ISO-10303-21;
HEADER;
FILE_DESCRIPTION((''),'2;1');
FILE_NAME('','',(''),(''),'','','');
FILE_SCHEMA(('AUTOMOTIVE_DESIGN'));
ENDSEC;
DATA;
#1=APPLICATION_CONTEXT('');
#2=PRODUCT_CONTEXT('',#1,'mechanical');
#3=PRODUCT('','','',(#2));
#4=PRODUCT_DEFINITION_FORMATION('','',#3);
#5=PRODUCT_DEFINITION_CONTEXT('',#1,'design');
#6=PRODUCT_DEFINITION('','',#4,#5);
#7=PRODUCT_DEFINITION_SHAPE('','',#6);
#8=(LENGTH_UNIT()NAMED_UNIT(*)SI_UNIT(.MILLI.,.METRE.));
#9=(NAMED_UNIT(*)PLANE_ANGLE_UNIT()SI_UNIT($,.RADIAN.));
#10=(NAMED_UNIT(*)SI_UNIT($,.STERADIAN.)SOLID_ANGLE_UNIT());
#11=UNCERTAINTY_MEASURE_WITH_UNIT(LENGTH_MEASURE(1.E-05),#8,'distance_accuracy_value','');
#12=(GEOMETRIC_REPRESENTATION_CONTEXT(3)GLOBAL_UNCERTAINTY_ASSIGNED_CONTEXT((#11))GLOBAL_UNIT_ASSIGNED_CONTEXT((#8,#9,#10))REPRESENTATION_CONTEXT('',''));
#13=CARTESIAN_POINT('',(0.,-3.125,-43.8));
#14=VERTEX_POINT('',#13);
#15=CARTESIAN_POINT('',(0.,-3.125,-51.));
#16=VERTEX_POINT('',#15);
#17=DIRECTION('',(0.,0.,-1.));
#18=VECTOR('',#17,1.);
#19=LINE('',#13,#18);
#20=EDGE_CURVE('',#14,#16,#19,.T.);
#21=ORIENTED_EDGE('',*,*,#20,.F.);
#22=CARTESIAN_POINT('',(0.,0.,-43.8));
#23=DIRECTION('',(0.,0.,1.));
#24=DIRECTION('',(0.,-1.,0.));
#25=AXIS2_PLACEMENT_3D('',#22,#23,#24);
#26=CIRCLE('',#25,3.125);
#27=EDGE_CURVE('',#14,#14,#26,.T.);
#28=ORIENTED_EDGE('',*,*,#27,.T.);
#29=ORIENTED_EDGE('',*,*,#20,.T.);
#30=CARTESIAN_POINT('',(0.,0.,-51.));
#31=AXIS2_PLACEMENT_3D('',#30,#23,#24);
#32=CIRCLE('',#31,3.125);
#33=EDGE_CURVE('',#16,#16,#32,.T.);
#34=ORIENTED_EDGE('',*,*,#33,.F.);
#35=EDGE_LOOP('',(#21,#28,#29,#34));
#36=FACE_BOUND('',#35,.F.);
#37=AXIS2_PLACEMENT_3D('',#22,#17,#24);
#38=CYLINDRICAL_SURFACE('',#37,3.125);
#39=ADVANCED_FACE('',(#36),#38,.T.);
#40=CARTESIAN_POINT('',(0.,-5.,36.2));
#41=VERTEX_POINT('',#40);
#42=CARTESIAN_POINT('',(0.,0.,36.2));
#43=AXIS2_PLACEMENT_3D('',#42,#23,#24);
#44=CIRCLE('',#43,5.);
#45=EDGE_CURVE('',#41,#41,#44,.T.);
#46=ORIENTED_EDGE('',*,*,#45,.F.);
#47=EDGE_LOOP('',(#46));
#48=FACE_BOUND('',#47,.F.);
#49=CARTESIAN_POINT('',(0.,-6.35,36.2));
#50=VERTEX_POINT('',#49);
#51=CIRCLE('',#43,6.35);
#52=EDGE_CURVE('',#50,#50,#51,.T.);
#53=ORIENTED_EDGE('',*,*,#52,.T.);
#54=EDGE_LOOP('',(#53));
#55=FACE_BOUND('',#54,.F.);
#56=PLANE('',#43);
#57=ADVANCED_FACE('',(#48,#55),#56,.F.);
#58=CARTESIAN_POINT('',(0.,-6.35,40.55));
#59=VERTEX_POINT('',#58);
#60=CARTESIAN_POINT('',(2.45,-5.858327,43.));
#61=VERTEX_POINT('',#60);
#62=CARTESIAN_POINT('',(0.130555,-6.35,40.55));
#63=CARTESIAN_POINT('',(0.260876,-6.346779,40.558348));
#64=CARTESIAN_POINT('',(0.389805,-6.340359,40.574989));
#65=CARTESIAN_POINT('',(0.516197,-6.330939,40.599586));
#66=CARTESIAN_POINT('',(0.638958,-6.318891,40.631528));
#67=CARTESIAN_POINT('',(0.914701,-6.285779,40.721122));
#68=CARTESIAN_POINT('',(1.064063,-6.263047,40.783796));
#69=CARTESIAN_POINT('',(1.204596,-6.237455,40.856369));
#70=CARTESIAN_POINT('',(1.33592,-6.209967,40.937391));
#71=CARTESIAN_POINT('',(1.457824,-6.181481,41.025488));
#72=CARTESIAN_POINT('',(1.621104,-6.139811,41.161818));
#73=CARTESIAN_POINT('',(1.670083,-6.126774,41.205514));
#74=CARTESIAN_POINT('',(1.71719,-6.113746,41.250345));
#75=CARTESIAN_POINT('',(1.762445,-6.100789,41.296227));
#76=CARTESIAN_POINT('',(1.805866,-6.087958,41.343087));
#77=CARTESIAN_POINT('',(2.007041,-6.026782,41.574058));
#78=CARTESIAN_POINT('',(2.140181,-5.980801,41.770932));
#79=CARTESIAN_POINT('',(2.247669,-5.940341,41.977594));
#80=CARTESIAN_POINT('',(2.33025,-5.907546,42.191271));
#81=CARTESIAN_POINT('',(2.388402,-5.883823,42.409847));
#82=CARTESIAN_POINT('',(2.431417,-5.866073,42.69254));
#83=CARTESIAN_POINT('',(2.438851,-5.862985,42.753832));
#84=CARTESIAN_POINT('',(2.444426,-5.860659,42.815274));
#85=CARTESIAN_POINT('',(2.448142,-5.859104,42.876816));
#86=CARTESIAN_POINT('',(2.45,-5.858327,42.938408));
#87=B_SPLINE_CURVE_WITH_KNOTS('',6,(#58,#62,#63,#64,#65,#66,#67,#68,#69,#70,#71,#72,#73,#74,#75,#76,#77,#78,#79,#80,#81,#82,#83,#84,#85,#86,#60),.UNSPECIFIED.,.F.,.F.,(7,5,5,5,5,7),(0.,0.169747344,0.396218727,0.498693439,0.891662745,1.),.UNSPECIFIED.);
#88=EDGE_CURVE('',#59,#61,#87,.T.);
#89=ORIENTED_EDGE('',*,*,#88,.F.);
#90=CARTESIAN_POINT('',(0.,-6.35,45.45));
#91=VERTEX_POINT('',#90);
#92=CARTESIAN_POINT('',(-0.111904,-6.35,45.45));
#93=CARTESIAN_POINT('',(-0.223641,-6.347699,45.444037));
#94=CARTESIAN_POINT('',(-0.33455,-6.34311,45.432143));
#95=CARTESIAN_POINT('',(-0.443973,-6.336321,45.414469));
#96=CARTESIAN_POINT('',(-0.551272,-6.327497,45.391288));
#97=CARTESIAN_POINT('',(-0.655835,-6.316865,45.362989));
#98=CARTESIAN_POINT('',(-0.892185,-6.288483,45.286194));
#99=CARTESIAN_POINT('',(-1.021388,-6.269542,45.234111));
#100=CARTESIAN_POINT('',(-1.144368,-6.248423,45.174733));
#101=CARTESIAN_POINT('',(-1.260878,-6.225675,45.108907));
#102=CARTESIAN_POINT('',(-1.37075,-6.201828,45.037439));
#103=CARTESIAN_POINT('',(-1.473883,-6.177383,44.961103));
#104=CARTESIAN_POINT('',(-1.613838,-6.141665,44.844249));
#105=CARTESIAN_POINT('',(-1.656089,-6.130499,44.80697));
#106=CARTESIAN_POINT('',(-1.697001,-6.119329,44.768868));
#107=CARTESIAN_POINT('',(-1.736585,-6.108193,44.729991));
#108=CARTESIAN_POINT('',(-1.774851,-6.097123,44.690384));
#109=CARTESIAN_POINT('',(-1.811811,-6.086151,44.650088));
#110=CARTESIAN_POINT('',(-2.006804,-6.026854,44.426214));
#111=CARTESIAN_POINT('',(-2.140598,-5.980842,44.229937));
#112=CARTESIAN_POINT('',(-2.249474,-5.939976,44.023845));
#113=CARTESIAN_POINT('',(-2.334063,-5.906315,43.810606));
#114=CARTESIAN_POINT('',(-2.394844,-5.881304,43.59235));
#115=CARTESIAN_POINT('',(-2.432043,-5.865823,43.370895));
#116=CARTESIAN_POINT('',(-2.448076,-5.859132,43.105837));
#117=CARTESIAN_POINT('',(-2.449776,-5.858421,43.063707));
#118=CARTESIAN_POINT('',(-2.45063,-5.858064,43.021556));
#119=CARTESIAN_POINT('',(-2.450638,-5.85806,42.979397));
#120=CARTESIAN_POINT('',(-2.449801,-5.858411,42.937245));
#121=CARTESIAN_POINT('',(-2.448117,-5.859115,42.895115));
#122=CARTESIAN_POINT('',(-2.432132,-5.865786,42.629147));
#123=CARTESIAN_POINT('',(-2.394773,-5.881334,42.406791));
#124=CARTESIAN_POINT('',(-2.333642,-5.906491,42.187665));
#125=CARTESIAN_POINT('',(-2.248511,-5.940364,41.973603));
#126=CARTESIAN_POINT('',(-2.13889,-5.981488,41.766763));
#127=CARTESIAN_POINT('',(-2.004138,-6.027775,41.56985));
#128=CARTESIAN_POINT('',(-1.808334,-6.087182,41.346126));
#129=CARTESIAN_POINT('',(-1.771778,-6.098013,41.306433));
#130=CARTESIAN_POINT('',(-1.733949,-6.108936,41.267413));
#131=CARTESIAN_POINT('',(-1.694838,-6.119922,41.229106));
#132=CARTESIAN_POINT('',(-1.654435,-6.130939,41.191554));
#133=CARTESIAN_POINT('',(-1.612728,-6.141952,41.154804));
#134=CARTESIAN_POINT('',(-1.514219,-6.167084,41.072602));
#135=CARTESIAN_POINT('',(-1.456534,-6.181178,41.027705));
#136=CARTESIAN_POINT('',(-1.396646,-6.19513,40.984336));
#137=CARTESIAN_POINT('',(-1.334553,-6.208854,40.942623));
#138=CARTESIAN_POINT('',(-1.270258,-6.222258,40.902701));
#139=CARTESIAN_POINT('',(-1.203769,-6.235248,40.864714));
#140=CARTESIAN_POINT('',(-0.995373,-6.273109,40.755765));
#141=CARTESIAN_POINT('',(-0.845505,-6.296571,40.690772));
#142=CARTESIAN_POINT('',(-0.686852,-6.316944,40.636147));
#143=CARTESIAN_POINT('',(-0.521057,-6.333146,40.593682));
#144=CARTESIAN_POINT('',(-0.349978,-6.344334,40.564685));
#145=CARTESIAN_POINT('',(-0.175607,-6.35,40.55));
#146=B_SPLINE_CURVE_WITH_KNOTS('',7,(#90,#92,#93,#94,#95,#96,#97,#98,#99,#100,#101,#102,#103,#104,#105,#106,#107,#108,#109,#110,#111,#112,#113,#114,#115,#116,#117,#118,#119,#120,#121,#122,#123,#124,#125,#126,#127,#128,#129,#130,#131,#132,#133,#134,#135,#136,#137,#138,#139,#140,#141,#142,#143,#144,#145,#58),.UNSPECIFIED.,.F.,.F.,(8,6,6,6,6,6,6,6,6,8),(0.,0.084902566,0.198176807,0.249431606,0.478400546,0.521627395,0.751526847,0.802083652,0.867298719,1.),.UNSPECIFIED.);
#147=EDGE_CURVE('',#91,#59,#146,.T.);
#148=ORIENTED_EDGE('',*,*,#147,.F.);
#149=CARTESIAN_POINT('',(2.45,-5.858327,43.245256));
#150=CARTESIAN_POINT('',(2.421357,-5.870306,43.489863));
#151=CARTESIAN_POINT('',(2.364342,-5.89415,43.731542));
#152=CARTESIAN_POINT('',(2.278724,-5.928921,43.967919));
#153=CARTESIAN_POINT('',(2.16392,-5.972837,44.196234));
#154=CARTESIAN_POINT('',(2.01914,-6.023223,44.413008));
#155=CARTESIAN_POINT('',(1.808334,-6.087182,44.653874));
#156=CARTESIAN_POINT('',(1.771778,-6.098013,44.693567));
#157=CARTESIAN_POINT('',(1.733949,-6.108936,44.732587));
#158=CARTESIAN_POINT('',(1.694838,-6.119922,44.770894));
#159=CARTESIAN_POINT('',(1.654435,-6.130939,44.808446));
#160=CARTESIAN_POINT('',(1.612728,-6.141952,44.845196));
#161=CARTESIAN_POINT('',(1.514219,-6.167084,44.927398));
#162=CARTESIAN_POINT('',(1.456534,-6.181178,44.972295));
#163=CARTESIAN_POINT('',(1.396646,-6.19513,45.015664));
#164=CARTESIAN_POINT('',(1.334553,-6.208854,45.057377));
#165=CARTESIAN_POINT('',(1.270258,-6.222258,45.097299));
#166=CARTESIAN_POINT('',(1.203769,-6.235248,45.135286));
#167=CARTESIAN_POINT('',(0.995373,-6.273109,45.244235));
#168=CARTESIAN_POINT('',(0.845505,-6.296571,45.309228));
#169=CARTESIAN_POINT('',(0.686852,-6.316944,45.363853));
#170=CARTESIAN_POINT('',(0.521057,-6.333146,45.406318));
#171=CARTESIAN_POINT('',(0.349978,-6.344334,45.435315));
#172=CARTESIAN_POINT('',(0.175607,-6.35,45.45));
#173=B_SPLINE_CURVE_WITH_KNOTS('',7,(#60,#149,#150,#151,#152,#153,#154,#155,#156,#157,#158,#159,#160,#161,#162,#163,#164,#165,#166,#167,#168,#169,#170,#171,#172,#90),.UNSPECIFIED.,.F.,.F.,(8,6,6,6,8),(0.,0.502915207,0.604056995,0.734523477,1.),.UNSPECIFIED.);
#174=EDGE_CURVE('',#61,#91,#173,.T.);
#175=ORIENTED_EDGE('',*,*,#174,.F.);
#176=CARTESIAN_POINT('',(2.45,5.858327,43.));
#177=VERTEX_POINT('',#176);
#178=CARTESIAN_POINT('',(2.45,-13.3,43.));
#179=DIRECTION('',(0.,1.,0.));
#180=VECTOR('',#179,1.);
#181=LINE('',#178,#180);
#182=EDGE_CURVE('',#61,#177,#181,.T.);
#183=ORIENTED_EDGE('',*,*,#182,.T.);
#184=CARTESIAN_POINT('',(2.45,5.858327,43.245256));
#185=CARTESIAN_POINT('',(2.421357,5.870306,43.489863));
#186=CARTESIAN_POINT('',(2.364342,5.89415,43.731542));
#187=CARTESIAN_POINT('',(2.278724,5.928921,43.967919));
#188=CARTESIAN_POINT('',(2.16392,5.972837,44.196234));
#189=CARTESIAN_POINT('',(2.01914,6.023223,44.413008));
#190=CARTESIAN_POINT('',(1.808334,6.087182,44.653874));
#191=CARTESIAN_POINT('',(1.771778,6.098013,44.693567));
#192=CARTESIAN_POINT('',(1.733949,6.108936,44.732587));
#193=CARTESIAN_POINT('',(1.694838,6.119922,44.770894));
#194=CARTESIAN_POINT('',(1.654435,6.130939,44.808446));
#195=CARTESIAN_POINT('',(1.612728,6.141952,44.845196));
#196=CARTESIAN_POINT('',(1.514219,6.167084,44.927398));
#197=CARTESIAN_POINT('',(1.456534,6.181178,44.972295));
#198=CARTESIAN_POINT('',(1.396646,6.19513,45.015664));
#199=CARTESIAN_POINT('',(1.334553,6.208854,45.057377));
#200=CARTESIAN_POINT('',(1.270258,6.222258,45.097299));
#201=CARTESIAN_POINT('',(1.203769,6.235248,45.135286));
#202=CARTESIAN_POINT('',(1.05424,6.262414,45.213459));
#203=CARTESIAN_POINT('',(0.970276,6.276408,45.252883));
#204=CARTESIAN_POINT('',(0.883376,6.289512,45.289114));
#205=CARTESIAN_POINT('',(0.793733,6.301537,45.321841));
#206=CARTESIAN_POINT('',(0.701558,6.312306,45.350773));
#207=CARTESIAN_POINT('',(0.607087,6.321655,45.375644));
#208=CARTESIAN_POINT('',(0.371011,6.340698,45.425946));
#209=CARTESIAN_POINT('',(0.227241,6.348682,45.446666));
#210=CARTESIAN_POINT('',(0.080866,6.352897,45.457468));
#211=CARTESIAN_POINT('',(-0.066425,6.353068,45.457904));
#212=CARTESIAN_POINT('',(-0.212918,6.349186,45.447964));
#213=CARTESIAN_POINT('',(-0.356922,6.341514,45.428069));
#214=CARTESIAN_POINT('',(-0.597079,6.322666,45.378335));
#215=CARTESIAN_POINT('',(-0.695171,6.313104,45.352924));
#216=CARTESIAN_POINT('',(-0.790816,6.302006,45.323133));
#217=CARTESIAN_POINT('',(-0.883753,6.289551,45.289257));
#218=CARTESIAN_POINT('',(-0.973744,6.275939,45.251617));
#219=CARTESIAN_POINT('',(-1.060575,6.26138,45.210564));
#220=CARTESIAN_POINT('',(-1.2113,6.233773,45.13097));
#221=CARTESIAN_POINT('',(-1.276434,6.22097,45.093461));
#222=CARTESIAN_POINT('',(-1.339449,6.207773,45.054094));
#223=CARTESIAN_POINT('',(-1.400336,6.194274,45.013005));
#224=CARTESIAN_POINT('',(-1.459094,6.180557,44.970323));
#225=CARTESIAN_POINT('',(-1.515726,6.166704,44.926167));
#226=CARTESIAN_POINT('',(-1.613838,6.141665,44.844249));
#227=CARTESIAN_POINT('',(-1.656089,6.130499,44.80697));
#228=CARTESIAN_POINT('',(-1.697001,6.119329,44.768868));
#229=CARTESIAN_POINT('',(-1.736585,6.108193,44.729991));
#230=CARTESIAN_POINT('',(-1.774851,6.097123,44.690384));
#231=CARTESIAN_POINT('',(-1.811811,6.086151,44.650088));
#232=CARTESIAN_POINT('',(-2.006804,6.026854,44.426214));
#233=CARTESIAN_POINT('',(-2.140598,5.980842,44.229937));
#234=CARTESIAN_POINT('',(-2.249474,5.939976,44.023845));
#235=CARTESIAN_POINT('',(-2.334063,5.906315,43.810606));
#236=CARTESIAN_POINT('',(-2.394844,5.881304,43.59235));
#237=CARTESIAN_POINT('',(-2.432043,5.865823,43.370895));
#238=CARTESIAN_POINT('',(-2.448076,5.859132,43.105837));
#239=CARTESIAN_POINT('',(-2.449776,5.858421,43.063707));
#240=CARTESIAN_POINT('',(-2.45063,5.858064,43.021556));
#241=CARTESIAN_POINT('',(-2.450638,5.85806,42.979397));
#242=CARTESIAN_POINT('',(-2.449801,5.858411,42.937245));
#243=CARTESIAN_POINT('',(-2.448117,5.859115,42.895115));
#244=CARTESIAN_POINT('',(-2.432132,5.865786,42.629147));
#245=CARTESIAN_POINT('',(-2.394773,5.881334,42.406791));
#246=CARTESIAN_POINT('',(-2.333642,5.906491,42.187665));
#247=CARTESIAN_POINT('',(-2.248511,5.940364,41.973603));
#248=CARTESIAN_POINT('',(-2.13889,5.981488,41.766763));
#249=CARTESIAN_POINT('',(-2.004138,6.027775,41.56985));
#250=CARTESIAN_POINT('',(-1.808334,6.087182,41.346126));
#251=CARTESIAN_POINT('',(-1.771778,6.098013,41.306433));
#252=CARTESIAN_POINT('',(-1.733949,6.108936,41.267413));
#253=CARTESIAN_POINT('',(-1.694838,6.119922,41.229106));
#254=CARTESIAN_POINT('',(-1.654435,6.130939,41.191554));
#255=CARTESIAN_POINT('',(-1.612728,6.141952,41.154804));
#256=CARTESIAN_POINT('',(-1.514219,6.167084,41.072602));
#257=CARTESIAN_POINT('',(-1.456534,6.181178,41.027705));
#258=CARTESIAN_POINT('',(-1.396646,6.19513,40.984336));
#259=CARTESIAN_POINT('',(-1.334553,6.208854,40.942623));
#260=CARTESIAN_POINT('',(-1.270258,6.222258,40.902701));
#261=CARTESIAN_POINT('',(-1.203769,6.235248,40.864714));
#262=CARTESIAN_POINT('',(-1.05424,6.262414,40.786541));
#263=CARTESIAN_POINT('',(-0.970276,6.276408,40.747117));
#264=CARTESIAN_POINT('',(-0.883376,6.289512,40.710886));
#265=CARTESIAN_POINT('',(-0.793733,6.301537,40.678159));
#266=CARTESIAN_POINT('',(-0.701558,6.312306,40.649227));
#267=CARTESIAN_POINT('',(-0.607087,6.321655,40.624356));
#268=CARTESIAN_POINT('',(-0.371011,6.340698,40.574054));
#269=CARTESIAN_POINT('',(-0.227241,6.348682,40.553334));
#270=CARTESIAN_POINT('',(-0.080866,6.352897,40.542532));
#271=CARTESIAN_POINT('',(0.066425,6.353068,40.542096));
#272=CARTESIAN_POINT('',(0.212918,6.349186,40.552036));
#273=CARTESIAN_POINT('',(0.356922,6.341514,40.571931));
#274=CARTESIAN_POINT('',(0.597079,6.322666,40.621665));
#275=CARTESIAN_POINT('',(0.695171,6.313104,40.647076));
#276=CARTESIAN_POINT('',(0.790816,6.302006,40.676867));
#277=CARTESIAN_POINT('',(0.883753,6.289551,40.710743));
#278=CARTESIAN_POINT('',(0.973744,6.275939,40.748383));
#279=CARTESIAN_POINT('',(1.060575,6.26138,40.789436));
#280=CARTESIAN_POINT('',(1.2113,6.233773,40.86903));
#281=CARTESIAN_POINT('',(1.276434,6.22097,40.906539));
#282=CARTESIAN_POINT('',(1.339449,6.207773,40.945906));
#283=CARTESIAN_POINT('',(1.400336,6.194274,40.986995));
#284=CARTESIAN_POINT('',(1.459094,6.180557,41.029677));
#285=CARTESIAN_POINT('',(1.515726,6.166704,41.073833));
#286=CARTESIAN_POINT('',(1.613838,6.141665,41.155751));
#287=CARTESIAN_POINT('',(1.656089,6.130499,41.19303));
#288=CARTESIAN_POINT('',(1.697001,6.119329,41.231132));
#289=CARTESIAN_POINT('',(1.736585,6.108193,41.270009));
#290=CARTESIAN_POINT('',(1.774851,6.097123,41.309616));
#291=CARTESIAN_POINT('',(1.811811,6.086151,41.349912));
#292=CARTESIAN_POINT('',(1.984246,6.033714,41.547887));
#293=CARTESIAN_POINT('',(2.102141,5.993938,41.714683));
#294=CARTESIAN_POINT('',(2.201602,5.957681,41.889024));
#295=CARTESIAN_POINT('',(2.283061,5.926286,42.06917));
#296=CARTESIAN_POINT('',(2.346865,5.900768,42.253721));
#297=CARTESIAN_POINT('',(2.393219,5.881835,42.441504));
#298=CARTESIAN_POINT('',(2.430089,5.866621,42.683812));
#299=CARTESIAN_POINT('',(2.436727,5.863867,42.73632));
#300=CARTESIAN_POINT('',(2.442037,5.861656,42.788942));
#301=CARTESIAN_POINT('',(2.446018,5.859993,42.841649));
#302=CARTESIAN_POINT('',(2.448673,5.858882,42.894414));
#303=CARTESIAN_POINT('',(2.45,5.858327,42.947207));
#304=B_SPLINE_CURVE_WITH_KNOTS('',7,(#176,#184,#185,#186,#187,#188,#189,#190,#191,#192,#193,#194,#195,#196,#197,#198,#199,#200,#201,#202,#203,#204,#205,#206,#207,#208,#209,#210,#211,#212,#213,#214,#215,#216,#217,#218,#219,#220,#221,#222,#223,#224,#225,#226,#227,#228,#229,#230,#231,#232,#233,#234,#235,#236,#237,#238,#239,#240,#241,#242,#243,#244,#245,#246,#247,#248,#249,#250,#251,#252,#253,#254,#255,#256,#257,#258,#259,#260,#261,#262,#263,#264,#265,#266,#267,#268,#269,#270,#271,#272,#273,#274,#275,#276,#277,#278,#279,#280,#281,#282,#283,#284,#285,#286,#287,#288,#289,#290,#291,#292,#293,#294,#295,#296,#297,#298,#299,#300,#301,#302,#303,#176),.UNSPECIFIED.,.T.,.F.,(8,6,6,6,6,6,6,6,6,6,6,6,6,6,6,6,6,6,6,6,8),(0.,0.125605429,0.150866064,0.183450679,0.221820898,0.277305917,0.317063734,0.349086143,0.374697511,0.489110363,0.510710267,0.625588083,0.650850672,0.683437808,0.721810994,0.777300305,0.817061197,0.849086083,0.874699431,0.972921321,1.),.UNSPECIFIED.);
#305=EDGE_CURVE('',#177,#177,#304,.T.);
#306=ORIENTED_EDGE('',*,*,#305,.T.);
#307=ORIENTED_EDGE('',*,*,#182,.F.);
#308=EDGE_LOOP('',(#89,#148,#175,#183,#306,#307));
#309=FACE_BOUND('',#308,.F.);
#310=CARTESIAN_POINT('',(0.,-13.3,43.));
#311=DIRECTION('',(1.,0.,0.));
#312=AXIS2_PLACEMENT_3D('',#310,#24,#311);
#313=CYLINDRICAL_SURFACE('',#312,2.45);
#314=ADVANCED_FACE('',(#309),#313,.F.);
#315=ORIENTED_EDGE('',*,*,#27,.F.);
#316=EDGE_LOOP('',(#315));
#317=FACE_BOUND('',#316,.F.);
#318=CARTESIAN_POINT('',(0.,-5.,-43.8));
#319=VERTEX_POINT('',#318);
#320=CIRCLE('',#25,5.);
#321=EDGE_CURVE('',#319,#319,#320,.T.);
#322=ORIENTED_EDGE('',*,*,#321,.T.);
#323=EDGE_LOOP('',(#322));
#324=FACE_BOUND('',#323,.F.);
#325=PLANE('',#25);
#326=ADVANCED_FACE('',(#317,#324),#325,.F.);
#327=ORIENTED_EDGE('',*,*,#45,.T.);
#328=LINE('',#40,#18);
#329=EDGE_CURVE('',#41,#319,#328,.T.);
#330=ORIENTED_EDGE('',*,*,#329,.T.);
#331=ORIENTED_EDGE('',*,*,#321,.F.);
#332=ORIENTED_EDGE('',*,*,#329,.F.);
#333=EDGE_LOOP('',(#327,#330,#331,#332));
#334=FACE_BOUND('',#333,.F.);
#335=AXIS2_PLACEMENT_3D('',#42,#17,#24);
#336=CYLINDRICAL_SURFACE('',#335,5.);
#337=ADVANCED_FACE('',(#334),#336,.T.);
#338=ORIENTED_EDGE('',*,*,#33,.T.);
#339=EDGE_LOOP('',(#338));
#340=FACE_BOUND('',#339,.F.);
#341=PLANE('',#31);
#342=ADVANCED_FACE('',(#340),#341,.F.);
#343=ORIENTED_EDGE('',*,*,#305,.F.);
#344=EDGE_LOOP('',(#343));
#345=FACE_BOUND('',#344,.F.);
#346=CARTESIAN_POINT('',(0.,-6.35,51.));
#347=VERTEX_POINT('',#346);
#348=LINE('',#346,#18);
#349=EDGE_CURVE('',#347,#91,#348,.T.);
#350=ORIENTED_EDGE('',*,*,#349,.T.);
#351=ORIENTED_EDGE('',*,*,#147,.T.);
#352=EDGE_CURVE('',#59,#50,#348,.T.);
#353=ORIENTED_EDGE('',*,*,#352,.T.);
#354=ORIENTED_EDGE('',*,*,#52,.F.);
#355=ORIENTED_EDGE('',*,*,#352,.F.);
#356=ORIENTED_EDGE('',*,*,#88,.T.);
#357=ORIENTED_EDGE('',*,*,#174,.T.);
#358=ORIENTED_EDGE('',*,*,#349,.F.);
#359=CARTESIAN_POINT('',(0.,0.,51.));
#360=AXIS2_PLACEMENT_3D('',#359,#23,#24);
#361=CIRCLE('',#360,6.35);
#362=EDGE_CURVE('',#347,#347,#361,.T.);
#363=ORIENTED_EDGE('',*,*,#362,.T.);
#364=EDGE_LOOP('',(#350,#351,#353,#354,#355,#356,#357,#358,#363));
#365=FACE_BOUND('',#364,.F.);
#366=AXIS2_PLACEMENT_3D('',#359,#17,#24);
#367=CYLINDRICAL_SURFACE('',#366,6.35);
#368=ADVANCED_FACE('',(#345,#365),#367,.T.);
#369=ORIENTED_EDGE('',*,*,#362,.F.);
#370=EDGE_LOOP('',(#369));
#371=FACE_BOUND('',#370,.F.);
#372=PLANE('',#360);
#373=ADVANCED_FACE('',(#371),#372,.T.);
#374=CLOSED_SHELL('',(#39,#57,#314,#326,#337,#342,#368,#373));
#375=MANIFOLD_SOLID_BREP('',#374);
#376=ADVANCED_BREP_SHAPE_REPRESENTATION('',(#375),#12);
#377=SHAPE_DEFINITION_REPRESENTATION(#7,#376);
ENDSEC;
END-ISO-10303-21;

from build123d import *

# Parameters (mm, degrees)
F3_R     = 2.45
F4_DEPTH = 19.651


with BuildPart() as f1:
    # F0 (on Right) → F1 (revolve)
    with BuildSketch(Plane.YZ):
        Polygon((0, -51), (0, 51), (-6.35, 51), (-6.35, 36.2), (-5, 36.2), (-5, -43.8), (-3.125, -43.8), (-3.125, -51), align=None)
    revolve(axis=Axis((0, 0, 0), (0, 0, 1)))

    # F3 (on offset) → F4 (cut, through all)
    with BuildSketch(Plane.XZ.offset(13.3)):
        with Locations((0, 43)):
            Circle(F3_R)
    extrude(amount=-F4_DEPTH, mode=Mode.SUBTRACT)


solid = f1.part
